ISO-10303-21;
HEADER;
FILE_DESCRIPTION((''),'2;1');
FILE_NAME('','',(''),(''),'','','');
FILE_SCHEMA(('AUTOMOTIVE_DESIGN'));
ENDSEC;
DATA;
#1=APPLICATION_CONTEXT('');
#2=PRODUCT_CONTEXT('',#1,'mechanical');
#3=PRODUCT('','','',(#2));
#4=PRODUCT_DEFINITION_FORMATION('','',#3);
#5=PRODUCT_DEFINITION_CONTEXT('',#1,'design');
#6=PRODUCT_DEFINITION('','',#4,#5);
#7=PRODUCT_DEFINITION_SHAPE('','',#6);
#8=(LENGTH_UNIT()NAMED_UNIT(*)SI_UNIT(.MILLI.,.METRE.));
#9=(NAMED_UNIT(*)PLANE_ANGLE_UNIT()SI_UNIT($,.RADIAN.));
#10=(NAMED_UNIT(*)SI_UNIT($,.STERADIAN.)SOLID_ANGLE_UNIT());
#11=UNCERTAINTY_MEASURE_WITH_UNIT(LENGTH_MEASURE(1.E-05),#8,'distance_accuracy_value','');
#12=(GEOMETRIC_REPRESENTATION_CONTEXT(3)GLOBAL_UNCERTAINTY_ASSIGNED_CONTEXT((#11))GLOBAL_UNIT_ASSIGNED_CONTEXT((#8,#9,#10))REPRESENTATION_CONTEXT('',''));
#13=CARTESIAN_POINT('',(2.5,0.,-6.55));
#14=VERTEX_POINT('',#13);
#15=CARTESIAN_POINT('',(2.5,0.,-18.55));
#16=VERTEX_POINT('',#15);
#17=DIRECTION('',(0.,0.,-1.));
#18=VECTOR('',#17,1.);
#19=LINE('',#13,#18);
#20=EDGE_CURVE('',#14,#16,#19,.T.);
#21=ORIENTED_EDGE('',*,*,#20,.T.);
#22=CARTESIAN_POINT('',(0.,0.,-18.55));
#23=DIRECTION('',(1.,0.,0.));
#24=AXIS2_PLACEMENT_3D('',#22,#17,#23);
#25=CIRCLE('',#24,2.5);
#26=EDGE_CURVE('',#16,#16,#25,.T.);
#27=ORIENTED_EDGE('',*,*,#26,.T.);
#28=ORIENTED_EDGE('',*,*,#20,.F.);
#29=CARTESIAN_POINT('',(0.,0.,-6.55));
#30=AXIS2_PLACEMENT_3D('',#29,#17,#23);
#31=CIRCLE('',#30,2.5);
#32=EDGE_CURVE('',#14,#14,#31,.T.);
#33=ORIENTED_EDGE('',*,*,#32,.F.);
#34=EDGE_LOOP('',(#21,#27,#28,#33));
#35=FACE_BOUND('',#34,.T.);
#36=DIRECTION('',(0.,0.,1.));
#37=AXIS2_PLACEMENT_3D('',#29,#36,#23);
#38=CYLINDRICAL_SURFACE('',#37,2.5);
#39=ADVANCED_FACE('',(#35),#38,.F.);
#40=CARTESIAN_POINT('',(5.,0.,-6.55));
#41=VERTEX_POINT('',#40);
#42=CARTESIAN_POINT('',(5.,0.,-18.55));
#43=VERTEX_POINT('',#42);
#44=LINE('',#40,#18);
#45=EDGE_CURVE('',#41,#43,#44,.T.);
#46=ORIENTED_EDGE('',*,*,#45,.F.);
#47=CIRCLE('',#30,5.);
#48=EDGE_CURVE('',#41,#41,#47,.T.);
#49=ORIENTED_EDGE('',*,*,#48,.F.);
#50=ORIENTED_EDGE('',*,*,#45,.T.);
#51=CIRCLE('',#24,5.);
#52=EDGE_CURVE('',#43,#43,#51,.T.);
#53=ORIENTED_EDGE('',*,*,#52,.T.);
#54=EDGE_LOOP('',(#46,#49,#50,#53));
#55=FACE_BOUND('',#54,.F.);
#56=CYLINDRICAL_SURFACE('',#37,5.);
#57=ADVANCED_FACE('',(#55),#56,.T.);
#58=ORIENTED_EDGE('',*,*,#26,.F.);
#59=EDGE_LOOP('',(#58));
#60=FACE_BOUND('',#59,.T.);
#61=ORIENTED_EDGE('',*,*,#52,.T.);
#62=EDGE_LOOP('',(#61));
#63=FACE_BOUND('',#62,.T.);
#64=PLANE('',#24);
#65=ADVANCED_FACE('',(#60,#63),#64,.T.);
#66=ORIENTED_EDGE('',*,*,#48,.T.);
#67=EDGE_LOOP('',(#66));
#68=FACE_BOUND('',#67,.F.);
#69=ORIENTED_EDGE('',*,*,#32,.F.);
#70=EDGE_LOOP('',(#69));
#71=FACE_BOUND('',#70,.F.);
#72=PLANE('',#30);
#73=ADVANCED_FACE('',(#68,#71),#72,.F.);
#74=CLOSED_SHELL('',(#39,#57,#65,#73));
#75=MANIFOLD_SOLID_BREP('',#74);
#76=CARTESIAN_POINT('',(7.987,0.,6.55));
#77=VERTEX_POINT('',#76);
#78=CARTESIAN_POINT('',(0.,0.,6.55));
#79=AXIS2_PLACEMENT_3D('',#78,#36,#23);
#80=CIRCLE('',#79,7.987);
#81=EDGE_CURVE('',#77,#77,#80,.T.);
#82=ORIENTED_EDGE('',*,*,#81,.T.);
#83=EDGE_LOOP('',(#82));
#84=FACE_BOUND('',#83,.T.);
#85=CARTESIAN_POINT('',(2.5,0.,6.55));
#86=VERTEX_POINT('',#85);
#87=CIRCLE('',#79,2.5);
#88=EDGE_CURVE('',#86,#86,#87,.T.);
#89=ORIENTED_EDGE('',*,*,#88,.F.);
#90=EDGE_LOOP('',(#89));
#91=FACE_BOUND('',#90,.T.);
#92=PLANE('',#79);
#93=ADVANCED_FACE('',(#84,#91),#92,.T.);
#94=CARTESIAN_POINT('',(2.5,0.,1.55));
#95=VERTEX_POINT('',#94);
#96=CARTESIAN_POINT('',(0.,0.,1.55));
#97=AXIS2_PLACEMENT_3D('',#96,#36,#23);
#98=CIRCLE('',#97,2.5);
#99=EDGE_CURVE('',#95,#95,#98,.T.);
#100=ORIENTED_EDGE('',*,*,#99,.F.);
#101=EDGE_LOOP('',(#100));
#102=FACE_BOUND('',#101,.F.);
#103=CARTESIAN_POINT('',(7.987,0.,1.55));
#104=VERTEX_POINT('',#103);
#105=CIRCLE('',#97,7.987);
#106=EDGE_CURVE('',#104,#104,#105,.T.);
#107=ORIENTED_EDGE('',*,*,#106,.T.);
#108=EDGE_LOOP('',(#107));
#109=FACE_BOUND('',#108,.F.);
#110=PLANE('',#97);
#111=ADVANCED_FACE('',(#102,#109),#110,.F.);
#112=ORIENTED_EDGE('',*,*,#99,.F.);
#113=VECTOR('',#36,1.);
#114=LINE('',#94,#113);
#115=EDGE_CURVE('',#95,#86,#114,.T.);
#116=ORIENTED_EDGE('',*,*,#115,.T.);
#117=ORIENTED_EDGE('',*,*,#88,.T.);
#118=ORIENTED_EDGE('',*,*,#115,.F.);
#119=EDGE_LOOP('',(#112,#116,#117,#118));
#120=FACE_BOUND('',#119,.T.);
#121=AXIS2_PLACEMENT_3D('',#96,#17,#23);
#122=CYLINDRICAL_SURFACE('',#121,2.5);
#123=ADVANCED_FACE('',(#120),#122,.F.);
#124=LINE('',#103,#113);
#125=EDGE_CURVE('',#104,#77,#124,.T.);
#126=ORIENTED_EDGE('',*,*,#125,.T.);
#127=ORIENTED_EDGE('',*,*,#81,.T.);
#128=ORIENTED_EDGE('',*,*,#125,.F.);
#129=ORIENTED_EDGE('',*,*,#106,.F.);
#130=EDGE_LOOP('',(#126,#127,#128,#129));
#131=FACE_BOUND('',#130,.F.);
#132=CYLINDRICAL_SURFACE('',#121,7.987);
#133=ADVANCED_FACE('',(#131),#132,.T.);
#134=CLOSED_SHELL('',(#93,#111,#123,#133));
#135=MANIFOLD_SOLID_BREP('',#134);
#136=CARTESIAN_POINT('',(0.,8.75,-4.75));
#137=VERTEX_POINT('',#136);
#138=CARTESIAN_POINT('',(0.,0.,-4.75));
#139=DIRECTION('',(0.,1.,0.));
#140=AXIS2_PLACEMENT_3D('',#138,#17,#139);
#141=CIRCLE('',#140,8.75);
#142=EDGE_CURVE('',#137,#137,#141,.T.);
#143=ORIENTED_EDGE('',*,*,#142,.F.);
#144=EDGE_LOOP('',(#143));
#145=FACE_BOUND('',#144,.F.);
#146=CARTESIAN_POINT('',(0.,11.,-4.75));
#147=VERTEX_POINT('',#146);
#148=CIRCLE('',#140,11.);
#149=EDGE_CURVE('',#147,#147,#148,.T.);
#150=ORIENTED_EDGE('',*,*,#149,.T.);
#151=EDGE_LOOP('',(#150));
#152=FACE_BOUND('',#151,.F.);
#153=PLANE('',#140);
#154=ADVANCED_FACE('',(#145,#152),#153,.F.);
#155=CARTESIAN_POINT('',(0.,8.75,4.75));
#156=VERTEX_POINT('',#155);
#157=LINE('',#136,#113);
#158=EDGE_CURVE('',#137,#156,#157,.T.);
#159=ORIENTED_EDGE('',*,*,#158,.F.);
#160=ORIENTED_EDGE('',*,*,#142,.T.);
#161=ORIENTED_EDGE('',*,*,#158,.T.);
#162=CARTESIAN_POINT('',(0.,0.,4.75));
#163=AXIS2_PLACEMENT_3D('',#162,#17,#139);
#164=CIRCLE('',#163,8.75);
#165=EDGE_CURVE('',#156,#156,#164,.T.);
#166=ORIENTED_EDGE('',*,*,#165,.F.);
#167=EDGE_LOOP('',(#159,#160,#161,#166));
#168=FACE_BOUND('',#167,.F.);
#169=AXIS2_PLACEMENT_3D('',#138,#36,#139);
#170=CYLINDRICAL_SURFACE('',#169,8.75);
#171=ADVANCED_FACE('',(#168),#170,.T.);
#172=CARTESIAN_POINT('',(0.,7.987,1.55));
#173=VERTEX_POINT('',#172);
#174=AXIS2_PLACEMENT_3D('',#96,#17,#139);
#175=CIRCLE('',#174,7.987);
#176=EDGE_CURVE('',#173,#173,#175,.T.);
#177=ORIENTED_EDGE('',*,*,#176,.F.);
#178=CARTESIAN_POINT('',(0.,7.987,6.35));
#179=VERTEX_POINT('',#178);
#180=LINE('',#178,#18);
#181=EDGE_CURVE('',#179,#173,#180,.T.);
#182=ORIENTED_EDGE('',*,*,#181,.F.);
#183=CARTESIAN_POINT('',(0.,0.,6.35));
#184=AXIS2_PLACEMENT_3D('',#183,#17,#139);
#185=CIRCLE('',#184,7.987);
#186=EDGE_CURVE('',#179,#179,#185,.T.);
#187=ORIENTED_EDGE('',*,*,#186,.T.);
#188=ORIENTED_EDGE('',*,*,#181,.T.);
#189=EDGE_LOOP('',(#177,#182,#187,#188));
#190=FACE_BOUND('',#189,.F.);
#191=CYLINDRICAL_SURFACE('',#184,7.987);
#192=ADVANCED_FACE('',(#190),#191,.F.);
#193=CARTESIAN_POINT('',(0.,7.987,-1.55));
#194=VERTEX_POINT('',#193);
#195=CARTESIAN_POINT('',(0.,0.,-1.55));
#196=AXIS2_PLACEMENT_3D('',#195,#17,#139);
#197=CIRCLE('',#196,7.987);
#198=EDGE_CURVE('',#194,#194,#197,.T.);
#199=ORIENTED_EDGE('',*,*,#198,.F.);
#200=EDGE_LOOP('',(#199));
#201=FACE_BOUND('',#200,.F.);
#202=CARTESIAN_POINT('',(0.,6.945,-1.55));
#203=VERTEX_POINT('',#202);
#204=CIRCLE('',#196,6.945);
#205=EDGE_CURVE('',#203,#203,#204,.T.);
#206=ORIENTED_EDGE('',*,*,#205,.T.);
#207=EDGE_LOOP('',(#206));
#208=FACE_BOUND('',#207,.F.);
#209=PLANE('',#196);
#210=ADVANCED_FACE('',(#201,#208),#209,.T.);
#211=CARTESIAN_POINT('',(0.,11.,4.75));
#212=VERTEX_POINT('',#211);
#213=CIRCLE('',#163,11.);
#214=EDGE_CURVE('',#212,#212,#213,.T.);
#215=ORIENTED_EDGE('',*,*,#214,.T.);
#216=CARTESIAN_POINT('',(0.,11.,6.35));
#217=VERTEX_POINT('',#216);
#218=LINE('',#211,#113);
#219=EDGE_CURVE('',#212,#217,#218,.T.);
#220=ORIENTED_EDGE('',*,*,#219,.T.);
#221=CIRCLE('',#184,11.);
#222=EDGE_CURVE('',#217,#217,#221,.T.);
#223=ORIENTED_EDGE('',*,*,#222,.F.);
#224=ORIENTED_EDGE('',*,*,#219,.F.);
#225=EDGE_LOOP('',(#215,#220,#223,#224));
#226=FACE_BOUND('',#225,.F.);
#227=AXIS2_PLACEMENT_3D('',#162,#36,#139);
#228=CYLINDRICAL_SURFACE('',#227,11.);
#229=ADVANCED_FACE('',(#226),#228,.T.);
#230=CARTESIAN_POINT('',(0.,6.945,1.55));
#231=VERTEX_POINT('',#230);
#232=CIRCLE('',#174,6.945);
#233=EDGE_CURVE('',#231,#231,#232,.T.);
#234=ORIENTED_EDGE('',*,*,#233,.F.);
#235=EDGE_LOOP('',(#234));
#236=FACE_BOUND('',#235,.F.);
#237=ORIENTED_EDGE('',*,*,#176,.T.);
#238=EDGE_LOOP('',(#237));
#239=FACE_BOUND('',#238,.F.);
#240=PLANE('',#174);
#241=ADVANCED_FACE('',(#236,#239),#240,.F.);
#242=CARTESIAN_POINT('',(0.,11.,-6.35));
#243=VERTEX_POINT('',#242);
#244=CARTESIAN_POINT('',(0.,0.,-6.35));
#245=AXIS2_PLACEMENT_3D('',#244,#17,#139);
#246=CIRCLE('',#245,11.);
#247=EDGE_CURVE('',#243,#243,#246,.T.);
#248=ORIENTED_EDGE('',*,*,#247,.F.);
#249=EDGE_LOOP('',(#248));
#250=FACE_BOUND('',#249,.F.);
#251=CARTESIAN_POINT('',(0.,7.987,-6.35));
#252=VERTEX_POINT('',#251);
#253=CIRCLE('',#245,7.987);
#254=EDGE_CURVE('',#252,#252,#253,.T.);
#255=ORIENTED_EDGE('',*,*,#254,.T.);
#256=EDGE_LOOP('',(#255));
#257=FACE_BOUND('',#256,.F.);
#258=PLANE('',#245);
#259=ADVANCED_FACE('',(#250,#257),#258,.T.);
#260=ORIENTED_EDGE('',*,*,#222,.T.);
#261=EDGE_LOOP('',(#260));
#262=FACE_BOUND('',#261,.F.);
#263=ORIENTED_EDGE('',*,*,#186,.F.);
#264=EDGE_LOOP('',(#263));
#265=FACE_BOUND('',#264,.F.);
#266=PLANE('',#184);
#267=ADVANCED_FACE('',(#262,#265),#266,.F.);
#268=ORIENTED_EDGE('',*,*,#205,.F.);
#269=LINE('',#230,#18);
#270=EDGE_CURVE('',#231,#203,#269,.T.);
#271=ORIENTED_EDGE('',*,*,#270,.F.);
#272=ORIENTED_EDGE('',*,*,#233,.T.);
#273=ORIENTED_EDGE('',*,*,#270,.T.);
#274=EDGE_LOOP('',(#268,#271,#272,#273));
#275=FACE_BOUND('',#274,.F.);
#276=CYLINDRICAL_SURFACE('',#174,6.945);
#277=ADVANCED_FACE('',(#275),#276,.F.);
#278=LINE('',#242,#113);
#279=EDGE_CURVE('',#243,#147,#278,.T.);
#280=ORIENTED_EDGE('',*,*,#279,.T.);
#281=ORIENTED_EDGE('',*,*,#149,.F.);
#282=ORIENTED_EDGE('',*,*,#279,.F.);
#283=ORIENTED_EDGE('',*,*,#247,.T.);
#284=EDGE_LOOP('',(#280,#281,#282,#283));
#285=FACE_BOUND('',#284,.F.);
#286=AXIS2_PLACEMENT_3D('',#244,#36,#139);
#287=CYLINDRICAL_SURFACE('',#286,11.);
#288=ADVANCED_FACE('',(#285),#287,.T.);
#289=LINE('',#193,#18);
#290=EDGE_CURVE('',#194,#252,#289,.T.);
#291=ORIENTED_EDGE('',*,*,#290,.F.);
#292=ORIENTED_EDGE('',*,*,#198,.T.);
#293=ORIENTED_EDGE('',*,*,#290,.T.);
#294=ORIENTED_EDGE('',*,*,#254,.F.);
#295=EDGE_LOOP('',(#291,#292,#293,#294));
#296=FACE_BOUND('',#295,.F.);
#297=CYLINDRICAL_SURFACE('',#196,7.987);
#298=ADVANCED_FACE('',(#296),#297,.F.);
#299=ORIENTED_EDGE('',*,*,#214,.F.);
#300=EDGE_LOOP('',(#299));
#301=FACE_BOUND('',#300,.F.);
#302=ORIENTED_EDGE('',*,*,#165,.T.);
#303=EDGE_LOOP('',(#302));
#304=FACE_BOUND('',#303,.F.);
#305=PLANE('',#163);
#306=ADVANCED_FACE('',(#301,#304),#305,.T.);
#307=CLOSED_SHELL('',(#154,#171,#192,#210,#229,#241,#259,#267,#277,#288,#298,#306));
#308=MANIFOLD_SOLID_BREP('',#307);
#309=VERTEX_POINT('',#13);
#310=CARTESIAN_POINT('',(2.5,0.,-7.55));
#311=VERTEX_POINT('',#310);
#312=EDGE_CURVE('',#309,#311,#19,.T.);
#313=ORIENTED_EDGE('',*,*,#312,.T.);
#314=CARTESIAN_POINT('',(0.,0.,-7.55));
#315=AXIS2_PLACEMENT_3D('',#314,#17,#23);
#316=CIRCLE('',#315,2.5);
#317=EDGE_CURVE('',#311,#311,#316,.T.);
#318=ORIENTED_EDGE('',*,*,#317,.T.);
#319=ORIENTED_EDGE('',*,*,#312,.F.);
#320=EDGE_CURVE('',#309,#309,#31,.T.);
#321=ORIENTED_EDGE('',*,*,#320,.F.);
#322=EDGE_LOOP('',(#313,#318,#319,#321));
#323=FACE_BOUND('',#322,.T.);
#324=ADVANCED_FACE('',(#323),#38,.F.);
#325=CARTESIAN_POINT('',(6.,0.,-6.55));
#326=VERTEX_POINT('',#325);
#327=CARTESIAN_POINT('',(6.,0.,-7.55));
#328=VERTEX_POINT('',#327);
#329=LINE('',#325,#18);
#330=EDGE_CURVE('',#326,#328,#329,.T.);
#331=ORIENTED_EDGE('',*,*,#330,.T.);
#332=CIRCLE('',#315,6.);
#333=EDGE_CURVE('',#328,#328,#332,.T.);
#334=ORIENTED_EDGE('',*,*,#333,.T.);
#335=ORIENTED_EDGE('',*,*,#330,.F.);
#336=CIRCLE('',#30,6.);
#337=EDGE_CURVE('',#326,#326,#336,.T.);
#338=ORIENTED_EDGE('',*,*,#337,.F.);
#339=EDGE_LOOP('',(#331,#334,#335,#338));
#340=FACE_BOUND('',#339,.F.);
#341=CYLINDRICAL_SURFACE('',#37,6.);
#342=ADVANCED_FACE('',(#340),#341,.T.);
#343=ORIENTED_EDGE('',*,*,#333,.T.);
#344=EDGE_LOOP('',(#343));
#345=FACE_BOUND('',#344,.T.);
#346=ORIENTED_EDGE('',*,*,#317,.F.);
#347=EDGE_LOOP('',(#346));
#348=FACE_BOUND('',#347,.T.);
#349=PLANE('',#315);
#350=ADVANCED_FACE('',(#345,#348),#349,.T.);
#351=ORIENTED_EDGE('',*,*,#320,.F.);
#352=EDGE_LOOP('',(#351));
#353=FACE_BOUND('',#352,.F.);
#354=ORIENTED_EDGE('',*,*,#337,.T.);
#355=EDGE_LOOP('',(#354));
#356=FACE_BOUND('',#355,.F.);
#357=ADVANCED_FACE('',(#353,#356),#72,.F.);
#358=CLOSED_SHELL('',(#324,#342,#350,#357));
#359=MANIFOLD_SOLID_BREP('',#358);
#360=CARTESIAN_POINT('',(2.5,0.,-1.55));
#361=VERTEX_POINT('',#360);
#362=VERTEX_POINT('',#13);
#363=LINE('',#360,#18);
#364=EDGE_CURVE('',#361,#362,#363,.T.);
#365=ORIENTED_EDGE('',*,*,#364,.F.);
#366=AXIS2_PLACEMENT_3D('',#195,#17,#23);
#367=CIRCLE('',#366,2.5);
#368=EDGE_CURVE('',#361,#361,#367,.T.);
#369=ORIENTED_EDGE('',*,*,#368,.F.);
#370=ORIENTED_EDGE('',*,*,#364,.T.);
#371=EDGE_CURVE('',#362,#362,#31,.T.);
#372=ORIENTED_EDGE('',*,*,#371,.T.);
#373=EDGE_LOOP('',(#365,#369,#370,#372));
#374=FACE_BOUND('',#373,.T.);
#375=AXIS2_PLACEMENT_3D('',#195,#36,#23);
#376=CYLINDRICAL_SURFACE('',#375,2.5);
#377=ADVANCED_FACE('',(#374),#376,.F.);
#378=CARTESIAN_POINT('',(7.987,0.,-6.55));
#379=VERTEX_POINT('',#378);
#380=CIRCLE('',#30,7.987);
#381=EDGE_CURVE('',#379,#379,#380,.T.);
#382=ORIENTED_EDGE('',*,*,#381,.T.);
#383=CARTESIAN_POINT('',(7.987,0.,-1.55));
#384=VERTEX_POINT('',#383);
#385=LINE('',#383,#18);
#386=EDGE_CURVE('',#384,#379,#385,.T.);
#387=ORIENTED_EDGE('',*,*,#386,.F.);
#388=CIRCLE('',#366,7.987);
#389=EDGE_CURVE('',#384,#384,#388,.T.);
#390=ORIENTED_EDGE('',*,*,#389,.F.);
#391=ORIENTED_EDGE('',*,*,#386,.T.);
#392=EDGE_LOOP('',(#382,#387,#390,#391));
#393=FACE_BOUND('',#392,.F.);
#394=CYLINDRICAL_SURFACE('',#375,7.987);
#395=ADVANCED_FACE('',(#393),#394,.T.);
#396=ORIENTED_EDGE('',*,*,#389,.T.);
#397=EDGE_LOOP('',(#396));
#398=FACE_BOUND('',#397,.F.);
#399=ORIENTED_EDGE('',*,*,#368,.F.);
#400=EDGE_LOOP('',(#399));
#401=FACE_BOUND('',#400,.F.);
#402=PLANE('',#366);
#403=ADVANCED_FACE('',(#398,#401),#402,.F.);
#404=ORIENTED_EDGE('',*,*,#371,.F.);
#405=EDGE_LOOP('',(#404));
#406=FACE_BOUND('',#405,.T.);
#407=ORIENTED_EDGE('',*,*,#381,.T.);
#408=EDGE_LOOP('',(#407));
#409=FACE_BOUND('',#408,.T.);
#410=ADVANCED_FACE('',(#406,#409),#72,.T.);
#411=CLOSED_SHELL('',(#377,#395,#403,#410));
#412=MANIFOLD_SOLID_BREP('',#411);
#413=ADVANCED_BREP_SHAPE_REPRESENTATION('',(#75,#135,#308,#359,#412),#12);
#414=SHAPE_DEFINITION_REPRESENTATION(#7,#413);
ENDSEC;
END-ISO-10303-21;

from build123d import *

# Parameters (mm, degrees)
F2_R     = 7.987
F2_R_2   = 2.5
F3_DEPTH = 5
F4_R     = 7.987
F4_R_2   = 2.5
F5_DEPTH = 5
F6_R     = 5
F6_R_2   = 2.5
F7_DEPTH = 12
F8_R     = 6
F8_R_2   = 2.5
F9_DEPTH = 1


with BuildPart() as f1:
    # F0 (on Right) → F1 (revolve)
    with BuildSketch(Plane.YZ):
        Polygon((11, 4.75), (11, 6.35), (7.987, 6.35), (7.987, 1.55), (6.945, 1.55), (6.945, 0), (6.945, -1.55), (7.987, -1.55), (7.987, -6.35), (11, -6.35), (11, -4.75), (8.75, -4.75), (8.75, 0), (8.75, 4.75), align=None)
    revolve(axis=Axis((0, 0, -0.299537), (0, 0, -1)))


with BuildPart() as f3:
    # F2 (on face) → F3 (new body)
    with BuildSketch(Plane(origin=(0, 0, -1.55), x_dir=(1, 0, 0), z_dir=(0, 0, -1))):
        Circle(F2_R)
        Circle(F2_R_2, mode=Mode.SUBTRACT)
    extrude(amount=F3_DEPTH)


with BuildPart() as f5:
    # F4 (on face) → F5 (new body)
    with BuildSketch(Plane.XY.offset(1.55)):
        Circle(F4_R)
        Circle(F4_R_2, mode=Mode.SUBTRACT)
    extrude(amount=F5_DEPTH)


with BuildPart() as f7:
    # F6 (on face) → F7 (new body)
    with BuildSketch(Plane(origin=(0, 0, -6.55), x_dir=(1, 0, 0), z_dir=(0, 0, -1))):
        Circle(F6_R)
        Circle(F6_R_2, mode=Mode.SUBTRACT)
    extrude(amount=F7_DEPTH)


with BuildPart() as f9:
    # F8 (on face) → F9 (new body)
    with BuildSketch(Plane(origin=(0, 0, -6.55), x_dir=(1, 0, 0), z_dir=(0, 0, -1))):
        Circle(F8_R)
        Circle(F8_R_2, mode=Mode.SUBTRACT)
    extrude(amount=F9_DEPTH)


solid = Compound([f1.part, f3.part, f5.part, f7.part, f9.part])
